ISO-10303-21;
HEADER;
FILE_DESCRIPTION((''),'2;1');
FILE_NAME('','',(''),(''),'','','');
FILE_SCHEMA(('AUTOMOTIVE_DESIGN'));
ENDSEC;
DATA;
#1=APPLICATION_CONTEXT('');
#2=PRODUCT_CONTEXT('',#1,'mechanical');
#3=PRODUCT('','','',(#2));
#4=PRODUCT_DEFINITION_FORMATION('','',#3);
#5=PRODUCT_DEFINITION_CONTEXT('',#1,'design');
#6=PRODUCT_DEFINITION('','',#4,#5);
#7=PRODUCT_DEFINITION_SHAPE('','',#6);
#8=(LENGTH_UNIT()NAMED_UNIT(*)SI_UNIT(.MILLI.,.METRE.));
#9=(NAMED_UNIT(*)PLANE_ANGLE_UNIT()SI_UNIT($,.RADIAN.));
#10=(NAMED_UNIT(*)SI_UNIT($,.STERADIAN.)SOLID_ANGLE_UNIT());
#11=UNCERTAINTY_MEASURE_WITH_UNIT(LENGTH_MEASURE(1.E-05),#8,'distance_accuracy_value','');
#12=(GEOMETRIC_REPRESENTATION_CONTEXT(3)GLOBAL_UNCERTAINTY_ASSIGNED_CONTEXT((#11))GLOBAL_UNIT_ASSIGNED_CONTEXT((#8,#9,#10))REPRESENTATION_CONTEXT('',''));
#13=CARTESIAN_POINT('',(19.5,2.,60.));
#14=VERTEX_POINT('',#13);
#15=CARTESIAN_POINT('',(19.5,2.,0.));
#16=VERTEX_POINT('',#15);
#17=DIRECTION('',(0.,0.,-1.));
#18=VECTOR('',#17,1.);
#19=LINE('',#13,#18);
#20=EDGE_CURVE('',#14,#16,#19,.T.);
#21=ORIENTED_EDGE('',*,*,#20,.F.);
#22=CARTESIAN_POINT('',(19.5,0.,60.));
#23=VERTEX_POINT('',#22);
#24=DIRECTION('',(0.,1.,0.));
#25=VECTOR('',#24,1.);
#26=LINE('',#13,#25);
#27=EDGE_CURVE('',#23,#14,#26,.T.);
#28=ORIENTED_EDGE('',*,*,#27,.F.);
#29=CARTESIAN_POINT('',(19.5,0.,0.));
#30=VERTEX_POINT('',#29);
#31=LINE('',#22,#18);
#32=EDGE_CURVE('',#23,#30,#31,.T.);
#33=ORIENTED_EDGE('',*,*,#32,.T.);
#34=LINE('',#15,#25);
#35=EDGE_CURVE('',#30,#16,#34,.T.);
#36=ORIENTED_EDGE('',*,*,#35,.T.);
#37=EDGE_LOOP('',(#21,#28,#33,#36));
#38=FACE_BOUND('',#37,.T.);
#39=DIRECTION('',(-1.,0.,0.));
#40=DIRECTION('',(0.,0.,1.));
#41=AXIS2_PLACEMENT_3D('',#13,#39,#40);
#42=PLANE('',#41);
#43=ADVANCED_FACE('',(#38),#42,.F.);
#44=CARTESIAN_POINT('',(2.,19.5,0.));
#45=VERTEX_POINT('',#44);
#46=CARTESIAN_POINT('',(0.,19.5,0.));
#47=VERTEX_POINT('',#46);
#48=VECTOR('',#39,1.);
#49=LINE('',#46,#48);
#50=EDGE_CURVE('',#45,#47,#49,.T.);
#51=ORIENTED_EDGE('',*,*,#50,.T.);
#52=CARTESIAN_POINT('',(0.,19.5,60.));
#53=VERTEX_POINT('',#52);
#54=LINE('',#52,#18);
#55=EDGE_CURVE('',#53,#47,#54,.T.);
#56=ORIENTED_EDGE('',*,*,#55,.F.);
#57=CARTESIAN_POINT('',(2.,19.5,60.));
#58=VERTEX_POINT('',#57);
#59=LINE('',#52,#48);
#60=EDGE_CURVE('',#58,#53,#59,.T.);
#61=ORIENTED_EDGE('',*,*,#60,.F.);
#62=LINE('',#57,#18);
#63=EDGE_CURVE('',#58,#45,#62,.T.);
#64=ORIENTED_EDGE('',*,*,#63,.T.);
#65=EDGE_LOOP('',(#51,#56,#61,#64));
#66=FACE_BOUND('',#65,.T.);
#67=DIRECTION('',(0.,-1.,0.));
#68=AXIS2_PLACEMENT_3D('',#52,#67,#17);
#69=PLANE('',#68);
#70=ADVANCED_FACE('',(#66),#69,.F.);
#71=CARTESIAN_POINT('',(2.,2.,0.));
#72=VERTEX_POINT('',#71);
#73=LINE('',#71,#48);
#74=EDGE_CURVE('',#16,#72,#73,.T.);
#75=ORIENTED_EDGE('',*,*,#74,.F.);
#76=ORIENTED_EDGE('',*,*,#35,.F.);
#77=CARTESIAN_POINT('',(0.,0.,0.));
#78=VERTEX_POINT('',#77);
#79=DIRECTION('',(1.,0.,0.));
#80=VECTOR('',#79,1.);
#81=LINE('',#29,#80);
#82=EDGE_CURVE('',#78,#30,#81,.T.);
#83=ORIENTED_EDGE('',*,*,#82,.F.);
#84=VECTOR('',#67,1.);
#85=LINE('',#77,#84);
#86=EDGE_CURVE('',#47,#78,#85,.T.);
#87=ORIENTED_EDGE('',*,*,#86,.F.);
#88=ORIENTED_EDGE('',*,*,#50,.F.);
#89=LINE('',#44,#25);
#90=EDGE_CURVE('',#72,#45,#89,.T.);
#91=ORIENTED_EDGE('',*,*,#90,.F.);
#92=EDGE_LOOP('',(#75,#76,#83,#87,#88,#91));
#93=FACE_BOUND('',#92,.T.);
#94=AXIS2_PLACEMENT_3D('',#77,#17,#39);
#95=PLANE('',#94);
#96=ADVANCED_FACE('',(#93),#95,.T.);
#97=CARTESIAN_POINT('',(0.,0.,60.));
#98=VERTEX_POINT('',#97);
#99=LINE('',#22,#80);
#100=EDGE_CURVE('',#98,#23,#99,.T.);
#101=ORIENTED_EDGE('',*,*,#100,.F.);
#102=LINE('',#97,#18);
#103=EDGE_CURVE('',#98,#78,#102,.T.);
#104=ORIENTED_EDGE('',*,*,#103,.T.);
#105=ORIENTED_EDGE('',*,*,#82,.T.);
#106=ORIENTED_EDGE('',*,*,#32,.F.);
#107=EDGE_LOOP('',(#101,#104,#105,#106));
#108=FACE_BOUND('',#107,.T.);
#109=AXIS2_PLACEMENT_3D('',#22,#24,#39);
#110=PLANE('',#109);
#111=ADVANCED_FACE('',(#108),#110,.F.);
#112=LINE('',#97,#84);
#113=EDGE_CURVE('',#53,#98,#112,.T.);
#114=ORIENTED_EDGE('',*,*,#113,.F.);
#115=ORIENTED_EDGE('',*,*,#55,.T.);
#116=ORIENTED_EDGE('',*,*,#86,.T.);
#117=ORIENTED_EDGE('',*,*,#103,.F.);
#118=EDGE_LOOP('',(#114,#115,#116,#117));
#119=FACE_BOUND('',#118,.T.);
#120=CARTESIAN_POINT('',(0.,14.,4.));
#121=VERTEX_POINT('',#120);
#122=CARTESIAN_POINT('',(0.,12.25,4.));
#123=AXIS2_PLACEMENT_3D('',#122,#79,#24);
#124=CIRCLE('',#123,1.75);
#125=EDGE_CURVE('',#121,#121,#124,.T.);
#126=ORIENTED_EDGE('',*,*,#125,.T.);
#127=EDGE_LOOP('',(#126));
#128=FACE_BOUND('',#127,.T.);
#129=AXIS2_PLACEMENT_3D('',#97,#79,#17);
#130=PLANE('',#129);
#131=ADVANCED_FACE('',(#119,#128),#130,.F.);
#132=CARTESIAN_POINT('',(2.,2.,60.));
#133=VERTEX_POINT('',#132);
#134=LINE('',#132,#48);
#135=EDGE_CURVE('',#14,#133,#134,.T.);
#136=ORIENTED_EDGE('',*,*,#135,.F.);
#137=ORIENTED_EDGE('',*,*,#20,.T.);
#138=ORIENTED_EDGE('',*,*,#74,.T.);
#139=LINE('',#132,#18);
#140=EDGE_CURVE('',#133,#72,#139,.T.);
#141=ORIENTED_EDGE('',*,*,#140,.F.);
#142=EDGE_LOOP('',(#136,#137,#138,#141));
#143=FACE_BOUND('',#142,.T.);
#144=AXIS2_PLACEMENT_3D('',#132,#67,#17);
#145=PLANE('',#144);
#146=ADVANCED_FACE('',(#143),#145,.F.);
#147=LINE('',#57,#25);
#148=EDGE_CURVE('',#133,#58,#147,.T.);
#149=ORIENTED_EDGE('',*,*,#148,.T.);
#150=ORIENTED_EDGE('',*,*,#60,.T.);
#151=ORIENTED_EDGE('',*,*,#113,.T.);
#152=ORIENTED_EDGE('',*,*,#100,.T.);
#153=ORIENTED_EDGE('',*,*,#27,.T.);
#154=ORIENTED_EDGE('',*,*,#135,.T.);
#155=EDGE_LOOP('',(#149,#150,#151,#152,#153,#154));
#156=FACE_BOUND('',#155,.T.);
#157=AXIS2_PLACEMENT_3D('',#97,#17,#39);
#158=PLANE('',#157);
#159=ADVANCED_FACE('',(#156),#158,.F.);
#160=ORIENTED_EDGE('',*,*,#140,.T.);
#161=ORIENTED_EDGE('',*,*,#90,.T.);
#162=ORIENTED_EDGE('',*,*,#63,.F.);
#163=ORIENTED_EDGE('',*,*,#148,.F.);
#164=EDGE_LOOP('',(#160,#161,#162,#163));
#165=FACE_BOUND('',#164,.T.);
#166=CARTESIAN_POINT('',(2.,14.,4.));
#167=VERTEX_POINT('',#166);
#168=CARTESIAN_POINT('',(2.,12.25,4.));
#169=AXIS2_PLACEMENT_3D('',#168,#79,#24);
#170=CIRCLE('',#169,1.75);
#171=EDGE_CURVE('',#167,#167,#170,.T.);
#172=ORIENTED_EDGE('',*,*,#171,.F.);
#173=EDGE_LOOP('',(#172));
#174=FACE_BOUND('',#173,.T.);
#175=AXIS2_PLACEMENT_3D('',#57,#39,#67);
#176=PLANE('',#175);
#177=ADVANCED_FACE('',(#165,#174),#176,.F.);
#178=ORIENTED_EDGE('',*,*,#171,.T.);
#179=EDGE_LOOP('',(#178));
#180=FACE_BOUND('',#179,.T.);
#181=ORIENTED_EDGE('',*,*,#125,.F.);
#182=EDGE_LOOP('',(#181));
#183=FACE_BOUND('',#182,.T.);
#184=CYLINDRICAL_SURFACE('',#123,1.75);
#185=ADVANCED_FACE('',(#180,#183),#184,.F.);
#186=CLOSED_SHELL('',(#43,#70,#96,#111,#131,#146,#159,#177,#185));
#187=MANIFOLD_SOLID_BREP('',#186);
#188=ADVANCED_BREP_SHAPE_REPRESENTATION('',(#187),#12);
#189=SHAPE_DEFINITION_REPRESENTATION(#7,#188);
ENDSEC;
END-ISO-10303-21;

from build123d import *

# Parameters (mm, degrees)
BOSS_EXTRUDE1_DEPTH = 60
SKETCH2_R           = 1.75
CUT_EXTRUDE1_DEPTH  = 66.471367788


with BuildPart() as part:
    # Sketch1 → Boss-Extrude1 (new body)
    with BuildSketch(Plane.XY):
        Polygon((0, 0), (0, 19.5), (2, 19.5), (2, 2), (19.5, 2), (19.5, 0), align=None)
    extrude(amount=BOSS_EXTRUDE1_DEPTH)

    # Sketch2 → Cut-Extrude1 (cut, through all)
    with BuildSketch(Plane(origin=(2, 0, 0), x_dir=(0, 0, -1), z_dir=(1, 0, 0))):
        with Locations(Location((-4, 12.25, 0), (0, 0, 90))):
            Circle(SKETCH2_R)
    extrude(amount=-CUT_EXTRUDE1_DEPTH, mode=Mode.SUBTRACT)


solid = part.part
